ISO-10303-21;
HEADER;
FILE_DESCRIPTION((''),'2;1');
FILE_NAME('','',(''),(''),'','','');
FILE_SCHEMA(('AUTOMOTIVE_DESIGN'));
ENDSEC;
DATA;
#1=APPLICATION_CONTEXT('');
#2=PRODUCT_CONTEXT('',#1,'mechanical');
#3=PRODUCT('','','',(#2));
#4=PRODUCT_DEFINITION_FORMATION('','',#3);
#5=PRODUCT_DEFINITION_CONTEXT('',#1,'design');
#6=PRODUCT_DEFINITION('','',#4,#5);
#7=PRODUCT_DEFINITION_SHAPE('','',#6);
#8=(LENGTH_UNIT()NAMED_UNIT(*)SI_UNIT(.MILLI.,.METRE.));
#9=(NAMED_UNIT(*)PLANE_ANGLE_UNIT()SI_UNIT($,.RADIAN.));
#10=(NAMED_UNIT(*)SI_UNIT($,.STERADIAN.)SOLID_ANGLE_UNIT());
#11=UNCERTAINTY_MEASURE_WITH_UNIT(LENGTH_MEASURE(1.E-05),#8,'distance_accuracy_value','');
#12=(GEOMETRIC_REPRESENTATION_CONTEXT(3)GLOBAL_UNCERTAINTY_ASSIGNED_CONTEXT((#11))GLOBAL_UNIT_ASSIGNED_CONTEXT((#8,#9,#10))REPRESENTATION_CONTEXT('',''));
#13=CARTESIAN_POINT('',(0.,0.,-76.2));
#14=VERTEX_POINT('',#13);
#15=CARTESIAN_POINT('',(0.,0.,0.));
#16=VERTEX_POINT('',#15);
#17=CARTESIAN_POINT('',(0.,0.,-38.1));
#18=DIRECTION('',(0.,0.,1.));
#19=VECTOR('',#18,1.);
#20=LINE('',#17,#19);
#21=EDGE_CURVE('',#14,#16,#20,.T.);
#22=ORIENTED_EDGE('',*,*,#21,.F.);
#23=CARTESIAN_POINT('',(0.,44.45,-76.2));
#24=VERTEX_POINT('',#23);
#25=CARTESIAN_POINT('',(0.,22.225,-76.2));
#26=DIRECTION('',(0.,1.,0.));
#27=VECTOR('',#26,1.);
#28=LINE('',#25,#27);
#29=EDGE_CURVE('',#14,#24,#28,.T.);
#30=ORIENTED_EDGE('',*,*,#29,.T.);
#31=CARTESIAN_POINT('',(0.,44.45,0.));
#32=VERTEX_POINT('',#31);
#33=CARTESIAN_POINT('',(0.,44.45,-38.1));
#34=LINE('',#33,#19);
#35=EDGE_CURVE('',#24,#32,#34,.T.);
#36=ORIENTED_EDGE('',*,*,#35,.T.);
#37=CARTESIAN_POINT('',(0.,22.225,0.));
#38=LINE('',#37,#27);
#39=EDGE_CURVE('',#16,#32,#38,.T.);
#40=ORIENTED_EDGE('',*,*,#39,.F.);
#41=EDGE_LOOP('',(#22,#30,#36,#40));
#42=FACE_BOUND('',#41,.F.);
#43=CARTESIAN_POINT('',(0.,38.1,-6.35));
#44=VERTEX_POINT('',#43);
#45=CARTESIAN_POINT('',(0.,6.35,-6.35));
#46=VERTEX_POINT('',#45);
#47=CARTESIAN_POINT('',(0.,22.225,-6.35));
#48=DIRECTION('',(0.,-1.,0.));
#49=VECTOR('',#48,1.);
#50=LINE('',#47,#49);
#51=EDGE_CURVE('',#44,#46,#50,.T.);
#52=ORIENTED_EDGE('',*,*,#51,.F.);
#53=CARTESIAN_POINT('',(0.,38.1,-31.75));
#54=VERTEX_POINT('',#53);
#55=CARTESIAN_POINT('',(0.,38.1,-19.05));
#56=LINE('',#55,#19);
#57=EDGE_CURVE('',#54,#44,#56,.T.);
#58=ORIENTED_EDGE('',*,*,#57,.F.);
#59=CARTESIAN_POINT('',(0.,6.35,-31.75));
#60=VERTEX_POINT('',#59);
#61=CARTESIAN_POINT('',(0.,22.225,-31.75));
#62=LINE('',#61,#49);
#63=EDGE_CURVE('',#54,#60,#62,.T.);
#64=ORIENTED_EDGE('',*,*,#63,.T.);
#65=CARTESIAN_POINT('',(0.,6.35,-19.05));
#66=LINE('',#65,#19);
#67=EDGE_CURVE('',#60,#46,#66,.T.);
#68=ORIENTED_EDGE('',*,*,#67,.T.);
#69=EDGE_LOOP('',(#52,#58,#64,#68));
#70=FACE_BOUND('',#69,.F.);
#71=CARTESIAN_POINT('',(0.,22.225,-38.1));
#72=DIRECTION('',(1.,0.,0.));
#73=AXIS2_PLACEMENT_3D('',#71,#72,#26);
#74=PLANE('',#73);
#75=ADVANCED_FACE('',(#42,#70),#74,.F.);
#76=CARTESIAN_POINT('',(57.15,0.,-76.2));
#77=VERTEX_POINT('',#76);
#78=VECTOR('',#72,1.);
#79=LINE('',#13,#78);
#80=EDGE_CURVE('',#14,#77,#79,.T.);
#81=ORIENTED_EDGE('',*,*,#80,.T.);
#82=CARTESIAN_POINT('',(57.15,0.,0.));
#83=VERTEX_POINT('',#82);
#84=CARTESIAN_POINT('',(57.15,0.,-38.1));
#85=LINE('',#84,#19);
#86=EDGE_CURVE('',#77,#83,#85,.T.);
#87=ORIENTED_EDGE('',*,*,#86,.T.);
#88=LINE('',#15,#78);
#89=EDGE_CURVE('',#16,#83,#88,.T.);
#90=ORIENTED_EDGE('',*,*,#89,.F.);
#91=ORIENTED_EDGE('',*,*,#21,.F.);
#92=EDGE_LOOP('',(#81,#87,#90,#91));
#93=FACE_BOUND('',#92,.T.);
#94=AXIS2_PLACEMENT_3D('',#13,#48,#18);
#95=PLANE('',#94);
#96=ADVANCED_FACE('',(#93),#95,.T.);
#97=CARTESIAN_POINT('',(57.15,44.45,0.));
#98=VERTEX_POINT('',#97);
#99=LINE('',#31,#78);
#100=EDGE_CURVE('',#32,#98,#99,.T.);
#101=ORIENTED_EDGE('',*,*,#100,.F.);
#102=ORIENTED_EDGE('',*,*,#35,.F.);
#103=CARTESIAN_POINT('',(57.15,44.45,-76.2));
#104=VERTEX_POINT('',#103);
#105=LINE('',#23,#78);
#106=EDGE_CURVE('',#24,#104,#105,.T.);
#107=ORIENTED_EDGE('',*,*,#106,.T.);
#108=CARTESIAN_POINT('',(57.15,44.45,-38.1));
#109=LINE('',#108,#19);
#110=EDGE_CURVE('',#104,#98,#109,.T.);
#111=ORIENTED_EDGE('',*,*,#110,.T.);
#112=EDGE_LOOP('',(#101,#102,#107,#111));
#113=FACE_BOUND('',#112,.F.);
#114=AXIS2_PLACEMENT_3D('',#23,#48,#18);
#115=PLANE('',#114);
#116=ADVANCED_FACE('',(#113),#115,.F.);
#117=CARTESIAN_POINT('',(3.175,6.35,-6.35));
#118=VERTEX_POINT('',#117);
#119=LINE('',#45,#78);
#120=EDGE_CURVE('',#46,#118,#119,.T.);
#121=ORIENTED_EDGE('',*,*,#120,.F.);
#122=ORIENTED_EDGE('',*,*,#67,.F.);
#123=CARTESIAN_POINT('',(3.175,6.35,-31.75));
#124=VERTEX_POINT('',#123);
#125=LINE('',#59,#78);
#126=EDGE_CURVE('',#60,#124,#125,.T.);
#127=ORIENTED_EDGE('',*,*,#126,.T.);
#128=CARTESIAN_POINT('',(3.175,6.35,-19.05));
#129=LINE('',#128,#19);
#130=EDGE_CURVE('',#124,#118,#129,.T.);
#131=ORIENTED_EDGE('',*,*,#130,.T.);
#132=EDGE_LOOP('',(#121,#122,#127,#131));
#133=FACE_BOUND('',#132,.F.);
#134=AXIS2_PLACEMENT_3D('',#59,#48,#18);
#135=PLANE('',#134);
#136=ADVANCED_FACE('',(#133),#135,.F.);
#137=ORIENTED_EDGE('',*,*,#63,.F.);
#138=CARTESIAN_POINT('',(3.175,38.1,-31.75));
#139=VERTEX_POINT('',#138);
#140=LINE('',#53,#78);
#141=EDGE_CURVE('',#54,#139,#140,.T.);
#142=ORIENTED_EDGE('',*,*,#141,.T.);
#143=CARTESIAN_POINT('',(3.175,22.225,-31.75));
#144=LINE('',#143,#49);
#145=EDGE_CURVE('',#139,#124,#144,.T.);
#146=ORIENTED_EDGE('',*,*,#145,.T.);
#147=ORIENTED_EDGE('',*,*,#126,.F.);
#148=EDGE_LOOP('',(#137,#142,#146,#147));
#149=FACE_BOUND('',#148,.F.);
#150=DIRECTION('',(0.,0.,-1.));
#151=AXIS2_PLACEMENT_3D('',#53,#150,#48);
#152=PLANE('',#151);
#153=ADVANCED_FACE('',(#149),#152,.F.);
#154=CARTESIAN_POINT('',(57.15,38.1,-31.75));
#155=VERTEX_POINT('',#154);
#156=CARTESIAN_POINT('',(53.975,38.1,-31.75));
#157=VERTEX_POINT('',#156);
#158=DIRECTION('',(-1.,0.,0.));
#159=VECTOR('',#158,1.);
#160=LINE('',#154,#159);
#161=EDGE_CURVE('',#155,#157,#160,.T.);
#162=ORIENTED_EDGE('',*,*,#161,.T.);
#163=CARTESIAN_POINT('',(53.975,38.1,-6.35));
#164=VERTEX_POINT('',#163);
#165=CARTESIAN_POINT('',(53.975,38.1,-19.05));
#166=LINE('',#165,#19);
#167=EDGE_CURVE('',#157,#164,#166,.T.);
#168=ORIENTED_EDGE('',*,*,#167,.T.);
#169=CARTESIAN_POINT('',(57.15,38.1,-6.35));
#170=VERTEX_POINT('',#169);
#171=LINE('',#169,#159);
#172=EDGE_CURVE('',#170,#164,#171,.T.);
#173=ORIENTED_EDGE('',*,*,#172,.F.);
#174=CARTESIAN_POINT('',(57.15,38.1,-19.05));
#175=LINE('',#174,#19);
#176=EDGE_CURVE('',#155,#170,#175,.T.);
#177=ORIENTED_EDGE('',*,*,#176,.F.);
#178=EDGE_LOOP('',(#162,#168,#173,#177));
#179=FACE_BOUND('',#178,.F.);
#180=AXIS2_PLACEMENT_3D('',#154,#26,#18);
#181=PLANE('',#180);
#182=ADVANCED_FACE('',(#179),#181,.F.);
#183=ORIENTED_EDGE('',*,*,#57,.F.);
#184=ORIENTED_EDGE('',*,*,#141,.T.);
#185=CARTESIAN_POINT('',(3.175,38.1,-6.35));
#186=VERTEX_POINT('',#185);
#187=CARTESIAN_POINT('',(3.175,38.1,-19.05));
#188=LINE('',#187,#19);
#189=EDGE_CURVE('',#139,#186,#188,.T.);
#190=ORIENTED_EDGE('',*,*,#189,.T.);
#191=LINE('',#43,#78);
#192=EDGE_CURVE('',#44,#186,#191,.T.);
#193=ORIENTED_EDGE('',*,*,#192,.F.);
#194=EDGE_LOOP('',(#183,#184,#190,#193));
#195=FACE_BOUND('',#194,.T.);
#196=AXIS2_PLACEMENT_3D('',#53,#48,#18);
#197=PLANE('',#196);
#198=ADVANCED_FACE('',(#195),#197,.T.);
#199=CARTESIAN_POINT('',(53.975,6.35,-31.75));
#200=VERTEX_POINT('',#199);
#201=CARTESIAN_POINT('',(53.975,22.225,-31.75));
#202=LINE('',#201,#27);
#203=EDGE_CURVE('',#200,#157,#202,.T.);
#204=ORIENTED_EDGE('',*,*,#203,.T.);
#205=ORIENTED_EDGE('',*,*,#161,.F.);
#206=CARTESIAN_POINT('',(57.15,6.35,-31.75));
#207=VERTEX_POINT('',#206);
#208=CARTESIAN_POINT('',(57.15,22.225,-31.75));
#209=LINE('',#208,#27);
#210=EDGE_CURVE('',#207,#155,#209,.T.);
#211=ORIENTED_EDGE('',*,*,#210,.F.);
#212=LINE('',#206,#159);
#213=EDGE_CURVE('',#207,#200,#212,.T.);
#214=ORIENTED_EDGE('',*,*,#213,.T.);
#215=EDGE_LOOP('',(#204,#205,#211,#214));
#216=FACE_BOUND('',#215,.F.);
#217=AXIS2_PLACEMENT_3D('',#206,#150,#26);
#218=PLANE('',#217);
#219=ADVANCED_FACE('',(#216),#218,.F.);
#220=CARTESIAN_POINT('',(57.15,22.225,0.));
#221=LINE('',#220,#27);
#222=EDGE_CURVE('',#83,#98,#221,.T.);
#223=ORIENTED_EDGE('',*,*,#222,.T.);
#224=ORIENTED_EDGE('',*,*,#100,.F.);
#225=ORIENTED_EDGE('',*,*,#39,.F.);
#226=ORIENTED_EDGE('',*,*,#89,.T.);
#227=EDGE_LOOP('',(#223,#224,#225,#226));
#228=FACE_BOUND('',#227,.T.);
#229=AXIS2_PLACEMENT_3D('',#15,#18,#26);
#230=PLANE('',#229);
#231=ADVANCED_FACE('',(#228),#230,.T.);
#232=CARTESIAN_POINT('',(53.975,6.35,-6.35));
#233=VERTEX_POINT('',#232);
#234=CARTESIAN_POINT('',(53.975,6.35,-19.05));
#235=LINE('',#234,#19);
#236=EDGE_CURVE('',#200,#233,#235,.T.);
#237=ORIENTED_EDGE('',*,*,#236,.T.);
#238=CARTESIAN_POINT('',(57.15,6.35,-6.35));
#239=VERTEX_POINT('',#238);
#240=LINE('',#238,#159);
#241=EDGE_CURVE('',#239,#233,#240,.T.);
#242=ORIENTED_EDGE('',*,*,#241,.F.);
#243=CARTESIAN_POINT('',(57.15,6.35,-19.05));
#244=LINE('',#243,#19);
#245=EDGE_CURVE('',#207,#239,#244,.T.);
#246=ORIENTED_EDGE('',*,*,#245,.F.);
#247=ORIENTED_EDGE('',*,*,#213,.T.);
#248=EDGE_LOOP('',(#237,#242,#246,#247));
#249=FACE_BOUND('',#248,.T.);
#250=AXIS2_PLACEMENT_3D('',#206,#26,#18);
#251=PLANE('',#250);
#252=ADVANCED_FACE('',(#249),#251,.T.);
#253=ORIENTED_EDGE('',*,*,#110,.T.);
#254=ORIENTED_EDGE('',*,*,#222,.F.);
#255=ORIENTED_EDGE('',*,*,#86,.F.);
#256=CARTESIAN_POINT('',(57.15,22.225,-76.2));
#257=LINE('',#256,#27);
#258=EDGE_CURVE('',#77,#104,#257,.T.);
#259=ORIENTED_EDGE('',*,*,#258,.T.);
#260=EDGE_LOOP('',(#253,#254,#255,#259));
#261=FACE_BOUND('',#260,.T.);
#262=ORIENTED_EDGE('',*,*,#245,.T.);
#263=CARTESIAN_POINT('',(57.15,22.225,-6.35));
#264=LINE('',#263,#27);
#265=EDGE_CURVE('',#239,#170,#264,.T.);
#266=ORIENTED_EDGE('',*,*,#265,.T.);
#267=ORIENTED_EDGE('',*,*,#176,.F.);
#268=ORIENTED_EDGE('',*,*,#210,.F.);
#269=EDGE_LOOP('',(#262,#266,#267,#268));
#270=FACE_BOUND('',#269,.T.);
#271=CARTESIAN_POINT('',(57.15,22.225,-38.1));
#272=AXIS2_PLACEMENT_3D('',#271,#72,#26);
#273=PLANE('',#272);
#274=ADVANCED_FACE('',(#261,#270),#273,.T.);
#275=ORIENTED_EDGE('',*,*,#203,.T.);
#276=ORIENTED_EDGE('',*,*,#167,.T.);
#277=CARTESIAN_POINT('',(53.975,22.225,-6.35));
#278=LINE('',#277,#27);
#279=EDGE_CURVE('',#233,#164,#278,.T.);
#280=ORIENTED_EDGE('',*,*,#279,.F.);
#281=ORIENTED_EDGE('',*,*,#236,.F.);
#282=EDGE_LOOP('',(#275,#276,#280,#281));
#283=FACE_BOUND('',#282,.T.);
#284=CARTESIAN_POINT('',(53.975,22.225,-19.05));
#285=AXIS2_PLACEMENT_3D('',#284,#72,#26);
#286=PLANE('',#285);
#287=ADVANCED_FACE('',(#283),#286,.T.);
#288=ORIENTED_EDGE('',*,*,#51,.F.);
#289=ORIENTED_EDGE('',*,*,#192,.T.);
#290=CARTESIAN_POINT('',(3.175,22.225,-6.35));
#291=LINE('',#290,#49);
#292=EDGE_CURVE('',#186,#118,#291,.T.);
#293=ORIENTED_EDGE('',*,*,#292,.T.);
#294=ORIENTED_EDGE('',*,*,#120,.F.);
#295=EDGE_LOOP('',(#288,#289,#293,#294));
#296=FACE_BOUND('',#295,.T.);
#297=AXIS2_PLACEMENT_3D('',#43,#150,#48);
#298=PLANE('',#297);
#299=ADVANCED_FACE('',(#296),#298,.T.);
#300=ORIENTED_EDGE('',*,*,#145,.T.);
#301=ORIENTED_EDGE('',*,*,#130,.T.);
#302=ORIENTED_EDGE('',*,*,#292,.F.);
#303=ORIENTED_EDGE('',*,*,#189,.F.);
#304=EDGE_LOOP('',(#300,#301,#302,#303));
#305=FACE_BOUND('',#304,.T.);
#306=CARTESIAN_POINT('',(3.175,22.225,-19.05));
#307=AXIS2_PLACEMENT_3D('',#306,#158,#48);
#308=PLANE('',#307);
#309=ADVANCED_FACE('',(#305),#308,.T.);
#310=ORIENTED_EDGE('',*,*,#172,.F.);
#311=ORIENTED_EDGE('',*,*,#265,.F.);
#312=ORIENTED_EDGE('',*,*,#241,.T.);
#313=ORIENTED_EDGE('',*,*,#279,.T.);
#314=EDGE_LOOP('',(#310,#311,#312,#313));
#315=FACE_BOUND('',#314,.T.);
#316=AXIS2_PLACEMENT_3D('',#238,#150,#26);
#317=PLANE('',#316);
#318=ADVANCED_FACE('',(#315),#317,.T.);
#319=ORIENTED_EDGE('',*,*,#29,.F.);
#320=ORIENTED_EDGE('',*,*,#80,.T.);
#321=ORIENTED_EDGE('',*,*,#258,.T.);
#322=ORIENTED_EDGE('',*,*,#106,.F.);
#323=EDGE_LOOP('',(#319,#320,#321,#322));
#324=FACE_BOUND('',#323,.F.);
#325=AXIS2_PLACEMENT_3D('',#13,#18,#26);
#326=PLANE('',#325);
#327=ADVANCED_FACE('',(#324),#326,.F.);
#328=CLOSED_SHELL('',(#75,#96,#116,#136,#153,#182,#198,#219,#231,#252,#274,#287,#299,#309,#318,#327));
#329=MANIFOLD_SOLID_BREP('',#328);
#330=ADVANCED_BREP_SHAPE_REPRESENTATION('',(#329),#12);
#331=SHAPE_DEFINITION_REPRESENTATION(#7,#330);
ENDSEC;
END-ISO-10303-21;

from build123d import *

# Parameters (mm, degrees)
F0_W     = 44.45
F0_H     = 76.2
F1_DEPTH = 57.15
F2_W     = 31.75
F2_H     = 25.4
F3_DEPTH = 3.175
F4_W     = 31.75
F4_H     = 25.4
F5_DEPTH = 3.175


with BuildPart() as f1:
    # F0 (on Right) → F1 (new body)
    with BuildSketch(Plane.YZ):
        with Locations((22.225, -38.1)):
            Rectangle(F0_W, F0_H)
    extrude(amount=F1_DEPTH)

    # F2 (on face) → F3 (cut)
    with BuildSketch(Plane.YZ.offset(57.15)):
        with Locations((22.225, -19.05)):
            Rectangle(F2_W, F2_H)
    extrude(amount=-F3_DEPTH, mode=Mode.SUBTRACT)

    # F4 (on face) → F5 (cut)
    with BuildSketch(Plane(origin=(0, 0, 0), x_dir=(0, -1, 0), z_dir=(-1, 0, 0))):
        with Locations((-22.225, -19.05)):
            Rectangle(F4_W, F4_H)
    extrude(amount=-F5_DEPTH, mode=Mode.SUBTRACT)


solid = f1.part
